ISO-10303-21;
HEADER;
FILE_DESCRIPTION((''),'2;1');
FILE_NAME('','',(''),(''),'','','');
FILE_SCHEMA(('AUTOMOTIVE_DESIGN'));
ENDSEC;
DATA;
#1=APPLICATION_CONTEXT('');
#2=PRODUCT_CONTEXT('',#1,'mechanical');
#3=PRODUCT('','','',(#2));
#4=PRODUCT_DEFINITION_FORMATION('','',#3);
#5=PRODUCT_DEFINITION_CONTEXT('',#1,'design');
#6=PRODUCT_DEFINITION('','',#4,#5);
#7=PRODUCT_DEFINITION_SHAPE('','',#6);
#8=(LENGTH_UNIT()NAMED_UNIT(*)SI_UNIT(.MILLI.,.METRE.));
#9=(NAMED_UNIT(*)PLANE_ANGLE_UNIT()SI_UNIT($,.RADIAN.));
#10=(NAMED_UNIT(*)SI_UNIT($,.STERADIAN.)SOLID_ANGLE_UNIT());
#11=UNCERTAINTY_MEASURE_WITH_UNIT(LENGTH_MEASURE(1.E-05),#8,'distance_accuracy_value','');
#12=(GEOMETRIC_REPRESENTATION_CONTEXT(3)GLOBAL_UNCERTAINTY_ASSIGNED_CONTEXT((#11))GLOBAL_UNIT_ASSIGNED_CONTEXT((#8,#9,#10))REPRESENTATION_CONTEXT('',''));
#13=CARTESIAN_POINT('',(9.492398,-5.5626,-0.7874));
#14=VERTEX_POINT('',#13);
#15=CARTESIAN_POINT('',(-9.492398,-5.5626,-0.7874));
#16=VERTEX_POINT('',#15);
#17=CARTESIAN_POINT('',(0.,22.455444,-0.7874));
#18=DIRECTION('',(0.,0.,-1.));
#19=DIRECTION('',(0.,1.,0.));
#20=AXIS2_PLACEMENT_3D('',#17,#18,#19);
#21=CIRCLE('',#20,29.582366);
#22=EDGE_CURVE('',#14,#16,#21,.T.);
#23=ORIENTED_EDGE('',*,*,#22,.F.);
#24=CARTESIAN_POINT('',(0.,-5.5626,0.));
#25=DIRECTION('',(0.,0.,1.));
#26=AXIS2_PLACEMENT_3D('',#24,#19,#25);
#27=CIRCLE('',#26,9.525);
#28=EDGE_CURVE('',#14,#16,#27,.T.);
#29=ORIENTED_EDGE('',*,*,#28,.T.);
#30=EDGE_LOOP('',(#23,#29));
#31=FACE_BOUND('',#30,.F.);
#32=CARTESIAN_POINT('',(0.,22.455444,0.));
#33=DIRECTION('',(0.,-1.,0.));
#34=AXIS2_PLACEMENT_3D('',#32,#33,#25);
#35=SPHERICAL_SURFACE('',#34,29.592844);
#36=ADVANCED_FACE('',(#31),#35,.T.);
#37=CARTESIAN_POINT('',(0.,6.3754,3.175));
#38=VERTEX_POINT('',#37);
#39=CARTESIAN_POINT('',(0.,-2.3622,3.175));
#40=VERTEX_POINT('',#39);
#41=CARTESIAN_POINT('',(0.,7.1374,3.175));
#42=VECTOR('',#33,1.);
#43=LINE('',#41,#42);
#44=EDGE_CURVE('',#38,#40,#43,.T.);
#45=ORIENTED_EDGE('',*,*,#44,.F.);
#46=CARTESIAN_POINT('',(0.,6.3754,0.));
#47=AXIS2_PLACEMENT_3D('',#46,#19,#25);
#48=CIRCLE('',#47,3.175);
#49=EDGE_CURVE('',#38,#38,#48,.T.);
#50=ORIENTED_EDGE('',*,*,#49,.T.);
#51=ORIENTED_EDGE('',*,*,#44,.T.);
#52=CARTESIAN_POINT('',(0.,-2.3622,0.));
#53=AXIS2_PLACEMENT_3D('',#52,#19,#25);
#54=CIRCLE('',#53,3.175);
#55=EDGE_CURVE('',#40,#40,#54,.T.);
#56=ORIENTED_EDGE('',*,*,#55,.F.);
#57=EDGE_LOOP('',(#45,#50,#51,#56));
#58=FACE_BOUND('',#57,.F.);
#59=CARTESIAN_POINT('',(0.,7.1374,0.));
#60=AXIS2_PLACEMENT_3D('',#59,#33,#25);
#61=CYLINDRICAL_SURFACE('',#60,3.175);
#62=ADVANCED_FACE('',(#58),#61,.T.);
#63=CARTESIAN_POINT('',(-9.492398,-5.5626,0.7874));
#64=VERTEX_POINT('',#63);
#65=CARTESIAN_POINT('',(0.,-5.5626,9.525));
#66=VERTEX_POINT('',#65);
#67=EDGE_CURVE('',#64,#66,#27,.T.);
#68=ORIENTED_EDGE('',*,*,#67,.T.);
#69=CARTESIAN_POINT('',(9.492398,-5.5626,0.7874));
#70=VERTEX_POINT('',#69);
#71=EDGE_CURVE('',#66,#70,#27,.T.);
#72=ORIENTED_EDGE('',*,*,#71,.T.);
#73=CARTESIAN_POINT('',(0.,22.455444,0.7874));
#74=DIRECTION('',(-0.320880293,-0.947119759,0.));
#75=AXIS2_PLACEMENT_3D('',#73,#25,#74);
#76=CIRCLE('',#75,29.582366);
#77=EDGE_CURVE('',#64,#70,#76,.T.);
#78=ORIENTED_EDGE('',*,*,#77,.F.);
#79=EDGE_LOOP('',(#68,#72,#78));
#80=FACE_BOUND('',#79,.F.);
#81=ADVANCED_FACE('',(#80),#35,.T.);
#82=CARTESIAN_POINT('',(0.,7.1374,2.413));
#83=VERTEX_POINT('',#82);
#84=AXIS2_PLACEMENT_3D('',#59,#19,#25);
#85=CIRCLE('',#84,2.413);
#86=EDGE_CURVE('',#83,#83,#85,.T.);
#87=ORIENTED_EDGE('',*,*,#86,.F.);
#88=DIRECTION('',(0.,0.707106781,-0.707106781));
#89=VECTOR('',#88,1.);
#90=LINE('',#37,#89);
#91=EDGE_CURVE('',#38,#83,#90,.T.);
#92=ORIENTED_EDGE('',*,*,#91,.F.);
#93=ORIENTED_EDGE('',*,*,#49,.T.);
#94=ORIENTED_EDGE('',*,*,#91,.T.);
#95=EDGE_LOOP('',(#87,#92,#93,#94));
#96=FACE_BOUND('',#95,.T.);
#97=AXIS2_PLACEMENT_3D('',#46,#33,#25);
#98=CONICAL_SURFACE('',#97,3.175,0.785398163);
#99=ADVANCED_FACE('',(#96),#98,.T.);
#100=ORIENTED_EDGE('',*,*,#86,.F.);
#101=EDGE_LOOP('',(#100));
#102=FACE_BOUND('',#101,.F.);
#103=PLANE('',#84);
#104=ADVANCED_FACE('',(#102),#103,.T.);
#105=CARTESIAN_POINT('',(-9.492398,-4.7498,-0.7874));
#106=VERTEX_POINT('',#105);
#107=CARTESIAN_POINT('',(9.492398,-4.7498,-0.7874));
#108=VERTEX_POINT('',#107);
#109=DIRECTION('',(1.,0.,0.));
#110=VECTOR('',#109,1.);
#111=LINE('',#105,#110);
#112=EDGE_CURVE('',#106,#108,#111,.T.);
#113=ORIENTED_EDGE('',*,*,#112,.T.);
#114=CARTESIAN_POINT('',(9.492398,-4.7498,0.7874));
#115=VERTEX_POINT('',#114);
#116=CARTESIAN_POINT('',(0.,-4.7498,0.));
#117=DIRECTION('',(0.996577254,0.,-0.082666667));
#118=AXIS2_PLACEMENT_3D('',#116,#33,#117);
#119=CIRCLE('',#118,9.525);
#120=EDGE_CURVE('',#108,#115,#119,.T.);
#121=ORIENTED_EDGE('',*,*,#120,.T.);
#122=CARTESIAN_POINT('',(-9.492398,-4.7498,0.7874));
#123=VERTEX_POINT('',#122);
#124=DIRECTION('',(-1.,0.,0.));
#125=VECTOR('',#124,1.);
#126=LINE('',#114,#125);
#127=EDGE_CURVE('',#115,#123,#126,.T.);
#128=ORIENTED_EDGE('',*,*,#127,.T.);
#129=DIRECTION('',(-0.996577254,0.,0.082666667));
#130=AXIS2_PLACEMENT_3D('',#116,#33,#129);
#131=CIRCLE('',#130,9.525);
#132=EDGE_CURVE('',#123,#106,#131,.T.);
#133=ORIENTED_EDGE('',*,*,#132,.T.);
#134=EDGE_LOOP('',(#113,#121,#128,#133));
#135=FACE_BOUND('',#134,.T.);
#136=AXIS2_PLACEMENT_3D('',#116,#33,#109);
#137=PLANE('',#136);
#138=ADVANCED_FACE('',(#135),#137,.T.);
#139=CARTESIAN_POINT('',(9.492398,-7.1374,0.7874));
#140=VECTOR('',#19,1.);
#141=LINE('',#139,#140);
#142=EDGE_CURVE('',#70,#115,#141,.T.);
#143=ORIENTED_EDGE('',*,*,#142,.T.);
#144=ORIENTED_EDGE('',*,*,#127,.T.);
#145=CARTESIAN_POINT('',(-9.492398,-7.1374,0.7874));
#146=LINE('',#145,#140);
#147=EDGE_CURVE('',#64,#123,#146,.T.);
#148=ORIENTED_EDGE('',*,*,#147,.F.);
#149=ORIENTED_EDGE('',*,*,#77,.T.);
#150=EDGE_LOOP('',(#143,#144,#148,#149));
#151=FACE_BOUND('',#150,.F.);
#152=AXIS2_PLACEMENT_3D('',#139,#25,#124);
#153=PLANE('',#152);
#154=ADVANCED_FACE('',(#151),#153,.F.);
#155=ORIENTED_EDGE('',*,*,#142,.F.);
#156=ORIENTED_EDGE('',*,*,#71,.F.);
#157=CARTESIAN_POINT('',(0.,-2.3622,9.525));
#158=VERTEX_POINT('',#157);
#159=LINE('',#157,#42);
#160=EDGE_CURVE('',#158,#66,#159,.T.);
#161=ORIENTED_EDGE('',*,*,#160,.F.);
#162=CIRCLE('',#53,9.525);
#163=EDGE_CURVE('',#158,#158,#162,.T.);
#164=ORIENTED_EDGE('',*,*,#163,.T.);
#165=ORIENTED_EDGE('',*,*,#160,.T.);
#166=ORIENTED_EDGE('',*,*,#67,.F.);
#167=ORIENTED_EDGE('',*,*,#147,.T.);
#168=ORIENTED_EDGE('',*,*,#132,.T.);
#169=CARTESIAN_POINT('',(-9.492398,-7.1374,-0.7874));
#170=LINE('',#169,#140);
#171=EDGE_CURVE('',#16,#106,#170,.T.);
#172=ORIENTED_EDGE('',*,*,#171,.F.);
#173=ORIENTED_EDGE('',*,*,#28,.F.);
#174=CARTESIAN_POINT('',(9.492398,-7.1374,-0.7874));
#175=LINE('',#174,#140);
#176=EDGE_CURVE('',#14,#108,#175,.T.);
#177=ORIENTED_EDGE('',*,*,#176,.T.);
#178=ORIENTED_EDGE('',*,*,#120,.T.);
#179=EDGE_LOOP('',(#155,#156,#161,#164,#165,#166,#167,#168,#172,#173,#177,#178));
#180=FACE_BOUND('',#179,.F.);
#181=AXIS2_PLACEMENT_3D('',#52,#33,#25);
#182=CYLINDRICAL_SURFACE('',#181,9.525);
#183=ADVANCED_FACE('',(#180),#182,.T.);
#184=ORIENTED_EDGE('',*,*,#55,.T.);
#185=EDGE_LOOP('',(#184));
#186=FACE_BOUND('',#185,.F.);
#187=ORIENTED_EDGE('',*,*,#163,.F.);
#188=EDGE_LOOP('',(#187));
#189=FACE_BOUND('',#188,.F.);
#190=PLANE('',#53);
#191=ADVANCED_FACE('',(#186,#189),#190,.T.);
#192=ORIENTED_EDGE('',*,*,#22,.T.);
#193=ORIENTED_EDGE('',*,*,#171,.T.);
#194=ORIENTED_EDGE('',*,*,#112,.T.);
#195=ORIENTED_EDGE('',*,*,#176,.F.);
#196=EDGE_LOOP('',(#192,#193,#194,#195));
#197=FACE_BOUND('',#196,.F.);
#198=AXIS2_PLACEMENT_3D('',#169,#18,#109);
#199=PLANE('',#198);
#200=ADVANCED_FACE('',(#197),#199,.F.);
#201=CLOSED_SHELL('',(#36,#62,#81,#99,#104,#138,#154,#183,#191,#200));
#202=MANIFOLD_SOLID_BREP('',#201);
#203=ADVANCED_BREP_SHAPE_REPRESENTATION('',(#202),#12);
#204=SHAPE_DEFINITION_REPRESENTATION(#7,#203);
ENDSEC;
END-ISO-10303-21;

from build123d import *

# Parameters (mm, degrees)
F4_DEPTH = 2.3876
F5_SIZE2 = 0.762
F5_SIZE  = 0.762


with BuildPart() as f1:
    # F0 (on Right) → F1 (revolve)
    with BuildSketch(Plane.YZ):
        with BuildLine():
            ThreePointArc((-5.5626, 9.525), (-6.7410456972, 4.8271528886), (-7.1374, 0))
            Line((-7.1374, 0), (7.1374, 0))
            Line((7.1374, 0), (7.1374, 3.175))
            Line((7.1374, 3.175), (-2.3622, 3.175))
            Line((-2.3622, 3.175), (-2.3622, 9.525))
            Line((-2.3622, 9.525), (-5.5626, 9.525))
        make_face()
    revolve(axis=Axis((0, 0, 0), (0, 1, 0)))

    # F3 (on offset) → F4 (cut)
    with BuildSketch(Plane.XZ.offset(7.1374)):
        with BuildLine():
            Line((9.4923983397, 0.7874), (-9.4923983397, 0.7874))
            ThreePointArc((-9.4923983397, 0.7874), (-9.525, 0), (-9.4923983397, -0.7874))
            Line((-9.4923983397, -0.7874), (9.4923983397, -0.7874))
            ThreePointArc((9.4923983397, -0.7874), (9.525, 0), (9.4923983397, 0.7874))
        make_face()
    extrude(amount=-F4_DEPTH, mode=Mode.SUBTRACT)

    # F5
    f5_edges = [f1.edges().sort_by_distance(p)[0] for p in [
        (0, 7.1374, -3.175),
    ]]
    chamfer(f5_edges, length=F5_SIZE, length2=F5_SIZE2)


solid = f1.part
